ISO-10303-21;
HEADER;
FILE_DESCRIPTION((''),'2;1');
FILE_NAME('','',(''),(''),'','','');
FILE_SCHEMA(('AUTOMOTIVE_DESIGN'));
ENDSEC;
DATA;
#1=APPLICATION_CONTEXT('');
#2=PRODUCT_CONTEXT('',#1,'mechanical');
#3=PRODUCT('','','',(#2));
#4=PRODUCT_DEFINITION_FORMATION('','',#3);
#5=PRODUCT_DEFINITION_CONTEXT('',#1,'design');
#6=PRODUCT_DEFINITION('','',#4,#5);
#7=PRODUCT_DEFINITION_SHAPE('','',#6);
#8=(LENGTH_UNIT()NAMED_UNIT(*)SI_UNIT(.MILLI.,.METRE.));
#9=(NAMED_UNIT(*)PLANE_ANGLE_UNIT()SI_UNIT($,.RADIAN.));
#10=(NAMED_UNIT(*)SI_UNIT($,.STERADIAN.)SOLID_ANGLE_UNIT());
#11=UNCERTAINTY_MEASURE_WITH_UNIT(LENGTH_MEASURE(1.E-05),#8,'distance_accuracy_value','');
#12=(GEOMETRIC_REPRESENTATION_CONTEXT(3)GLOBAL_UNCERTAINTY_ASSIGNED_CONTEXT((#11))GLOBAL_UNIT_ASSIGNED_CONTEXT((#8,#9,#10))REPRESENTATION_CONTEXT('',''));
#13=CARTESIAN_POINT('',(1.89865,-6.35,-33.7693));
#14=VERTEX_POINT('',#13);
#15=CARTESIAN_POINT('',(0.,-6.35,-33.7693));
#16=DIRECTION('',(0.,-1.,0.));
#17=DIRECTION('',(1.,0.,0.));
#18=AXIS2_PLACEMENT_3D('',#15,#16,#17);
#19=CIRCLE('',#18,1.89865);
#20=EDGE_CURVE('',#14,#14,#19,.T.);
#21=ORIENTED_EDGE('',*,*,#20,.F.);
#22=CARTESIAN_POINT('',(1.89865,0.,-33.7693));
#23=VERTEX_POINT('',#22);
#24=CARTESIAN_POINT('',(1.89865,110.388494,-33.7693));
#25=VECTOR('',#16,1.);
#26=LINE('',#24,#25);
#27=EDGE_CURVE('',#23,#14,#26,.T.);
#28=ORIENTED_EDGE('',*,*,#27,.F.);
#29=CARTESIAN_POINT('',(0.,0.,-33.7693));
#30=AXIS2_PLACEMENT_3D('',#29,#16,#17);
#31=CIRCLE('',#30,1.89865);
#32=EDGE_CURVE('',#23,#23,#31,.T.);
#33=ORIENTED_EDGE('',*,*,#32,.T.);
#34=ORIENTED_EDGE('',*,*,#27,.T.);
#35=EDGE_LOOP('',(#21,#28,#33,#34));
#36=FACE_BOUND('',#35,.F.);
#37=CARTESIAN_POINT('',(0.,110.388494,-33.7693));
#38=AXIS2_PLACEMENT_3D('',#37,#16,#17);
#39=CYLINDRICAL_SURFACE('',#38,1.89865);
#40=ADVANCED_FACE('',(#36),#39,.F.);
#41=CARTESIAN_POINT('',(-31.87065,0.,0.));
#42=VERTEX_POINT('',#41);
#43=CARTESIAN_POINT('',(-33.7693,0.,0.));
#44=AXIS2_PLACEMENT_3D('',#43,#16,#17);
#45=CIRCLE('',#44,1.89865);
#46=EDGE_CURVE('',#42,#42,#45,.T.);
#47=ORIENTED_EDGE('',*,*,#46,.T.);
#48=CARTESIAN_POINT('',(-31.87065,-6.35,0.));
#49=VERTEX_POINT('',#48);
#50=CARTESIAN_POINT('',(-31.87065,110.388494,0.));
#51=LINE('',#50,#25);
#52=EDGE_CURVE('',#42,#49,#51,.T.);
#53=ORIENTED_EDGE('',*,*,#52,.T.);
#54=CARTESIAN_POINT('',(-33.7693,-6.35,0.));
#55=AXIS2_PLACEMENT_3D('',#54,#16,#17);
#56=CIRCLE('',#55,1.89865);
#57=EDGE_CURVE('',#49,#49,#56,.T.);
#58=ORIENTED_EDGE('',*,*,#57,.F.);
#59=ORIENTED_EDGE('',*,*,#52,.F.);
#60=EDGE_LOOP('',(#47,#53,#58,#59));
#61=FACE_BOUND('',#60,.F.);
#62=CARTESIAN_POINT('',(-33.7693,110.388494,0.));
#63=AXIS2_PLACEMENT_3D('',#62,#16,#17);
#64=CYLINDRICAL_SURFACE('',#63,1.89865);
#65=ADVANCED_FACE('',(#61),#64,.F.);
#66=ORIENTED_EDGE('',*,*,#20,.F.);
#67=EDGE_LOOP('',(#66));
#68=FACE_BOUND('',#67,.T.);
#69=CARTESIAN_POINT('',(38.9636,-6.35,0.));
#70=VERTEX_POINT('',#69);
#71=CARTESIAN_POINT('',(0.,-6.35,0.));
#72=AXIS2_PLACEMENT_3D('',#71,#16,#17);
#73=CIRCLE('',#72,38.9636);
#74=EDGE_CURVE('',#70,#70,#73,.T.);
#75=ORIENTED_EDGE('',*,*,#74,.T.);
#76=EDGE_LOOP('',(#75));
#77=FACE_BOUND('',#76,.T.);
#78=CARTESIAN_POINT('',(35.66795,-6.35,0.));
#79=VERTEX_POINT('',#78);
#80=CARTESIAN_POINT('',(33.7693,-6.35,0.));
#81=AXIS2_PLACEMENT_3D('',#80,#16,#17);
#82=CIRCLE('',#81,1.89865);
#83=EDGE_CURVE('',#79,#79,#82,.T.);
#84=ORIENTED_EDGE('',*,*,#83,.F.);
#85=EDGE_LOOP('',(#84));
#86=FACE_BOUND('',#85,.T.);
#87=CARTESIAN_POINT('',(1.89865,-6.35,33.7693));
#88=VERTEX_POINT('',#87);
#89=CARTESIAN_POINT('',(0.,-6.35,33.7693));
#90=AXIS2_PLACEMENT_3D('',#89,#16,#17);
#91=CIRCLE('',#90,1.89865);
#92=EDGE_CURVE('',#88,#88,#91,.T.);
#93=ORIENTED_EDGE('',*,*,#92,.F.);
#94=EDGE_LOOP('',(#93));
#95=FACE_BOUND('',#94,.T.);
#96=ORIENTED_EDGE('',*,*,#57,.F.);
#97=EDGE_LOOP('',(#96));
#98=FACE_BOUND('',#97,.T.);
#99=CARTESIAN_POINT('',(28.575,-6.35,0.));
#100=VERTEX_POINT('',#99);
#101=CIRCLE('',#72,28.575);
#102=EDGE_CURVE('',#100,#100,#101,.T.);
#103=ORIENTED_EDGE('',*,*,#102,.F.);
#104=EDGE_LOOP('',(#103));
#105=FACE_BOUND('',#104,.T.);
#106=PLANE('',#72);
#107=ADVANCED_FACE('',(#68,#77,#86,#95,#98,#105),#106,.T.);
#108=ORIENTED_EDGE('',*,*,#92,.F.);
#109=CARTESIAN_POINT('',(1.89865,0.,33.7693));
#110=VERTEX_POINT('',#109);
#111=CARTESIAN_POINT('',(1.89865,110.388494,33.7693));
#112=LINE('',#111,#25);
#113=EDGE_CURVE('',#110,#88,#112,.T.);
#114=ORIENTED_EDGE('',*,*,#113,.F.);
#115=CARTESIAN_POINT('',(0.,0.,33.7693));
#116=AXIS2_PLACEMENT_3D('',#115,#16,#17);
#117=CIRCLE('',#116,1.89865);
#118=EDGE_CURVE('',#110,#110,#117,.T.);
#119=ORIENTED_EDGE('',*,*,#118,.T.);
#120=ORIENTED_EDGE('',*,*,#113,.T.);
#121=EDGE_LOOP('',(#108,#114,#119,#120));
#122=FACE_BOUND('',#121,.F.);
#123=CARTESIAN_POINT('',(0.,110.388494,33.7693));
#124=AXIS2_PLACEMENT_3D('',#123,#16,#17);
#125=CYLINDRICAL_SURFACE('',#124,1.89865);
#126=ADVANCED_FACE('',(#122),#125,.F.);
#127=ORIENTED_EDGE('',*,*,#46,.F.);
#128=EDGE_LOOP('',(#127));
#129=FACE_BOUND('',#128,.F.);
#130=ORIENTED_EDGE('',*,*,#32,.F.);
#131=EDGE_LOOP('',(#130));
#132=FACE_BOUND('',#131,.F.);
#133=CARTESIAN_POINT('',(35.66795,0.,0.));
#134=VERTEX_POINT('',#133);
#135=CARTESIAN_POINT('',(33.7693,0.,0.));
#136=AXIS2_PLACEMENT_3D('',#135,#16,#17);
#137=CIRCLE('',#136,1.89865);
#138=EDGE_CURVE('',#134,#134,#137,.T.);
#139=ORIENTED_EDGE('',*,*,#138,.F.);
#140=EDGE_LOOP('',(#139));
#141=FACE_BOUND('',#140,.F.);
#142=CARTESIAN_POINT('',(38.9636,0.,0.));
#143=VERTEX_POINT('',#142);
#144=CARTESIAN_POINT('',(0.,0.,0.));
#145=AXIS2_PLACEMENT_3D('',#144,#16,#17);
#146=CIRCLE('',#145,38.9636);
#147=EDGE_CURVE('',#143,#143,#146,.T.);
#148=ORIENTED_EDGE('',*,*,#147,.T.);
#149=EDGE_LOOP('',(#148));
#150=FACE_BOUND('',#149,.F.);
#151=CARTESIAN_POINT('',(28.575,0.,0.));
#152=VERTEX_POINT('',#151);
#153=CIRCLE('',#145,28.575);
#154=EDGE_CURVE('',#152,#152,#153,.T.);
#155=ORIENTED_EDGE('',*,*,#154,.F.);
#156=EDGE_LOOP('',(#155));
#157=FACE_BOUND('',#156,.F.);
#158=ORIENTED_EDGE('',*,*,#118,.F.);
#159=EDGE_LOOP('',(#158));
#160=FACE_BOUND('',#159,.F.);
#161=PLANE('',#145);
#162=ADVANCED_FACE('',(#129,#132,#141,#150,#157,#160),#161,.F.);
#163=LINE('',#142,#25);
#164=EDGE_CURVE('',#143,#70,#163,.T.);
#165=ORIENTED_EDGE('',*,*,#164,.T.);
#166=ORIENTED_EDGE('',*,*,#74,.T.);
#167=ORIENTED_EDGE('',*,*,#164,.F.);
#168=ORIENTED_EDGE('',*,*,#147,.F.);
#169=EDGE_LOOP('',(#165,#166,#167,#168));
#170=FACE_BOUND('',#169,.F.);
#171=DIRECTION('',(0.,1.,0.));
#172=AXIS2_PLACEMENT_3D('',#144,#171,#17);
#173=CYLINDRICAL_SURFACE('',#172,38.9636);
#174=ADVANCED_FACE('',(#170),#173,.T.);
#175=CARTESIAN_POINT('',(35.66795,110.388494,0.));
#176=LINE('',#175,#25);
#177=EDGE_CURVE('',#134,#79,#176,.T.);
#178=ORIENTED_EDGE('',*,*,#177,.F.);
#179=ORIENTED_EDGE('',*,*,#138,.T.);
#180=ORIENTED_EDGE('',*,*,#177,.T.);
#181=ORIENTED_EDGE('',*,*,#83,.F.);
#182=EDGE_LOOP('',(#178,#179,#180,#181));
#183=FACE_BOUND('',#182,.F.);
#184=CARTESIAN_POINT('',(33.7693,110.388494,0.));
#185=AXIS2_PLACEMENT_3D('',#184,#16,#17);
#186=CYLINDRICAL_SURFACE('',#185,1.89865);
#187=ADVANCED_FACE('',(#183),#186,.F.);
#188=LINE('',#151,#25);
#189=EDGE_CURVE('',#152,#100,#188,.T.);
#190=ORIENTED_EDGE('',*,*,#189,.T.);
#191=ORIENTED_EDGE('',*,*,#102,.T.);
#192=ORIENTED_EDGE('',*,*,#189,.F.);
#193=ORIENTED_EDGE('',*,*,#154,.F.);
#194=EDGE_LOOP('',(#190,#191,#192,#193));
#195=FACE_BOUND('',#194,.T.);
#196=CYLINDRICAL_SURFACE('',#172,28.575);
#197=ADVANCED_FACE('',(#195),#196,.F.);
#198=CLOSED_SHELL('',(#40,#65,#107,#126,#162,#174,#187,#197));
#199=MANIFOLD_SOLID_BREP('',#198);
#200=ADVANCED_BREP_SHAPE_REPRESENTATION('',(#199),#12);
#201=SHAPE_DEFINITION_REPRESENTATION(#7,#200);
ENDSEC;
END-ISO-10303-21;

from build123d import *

# Parameters (mm, degrees)
F0_R     = 38.9636
F0_R_2   = 28.575
F1_DEPTH = 6.35
F3_D     = 3.7973


with BuildPart() as f1:
    # F0 (on Front) → F1 (new body)
    with BuildSketch(Plane.XZ):
        Circle(F0_R)
        Circle(F0_R_2, mode=Mode.SUBTRACT)
    extrude(amount=F1_DEPTH)

    # F3 (through all)
    with Locations(Plane(origin=(0, 0, 0), x_dir=(-1, 0, 0), z_dir=(0, 1, 0))):
        with Locations((-33.7693, 0), (0, 33.7693), (33.7693, 0), (0, -33.7693)):
            Hole(F3_D / 2)


solid = f1.part
